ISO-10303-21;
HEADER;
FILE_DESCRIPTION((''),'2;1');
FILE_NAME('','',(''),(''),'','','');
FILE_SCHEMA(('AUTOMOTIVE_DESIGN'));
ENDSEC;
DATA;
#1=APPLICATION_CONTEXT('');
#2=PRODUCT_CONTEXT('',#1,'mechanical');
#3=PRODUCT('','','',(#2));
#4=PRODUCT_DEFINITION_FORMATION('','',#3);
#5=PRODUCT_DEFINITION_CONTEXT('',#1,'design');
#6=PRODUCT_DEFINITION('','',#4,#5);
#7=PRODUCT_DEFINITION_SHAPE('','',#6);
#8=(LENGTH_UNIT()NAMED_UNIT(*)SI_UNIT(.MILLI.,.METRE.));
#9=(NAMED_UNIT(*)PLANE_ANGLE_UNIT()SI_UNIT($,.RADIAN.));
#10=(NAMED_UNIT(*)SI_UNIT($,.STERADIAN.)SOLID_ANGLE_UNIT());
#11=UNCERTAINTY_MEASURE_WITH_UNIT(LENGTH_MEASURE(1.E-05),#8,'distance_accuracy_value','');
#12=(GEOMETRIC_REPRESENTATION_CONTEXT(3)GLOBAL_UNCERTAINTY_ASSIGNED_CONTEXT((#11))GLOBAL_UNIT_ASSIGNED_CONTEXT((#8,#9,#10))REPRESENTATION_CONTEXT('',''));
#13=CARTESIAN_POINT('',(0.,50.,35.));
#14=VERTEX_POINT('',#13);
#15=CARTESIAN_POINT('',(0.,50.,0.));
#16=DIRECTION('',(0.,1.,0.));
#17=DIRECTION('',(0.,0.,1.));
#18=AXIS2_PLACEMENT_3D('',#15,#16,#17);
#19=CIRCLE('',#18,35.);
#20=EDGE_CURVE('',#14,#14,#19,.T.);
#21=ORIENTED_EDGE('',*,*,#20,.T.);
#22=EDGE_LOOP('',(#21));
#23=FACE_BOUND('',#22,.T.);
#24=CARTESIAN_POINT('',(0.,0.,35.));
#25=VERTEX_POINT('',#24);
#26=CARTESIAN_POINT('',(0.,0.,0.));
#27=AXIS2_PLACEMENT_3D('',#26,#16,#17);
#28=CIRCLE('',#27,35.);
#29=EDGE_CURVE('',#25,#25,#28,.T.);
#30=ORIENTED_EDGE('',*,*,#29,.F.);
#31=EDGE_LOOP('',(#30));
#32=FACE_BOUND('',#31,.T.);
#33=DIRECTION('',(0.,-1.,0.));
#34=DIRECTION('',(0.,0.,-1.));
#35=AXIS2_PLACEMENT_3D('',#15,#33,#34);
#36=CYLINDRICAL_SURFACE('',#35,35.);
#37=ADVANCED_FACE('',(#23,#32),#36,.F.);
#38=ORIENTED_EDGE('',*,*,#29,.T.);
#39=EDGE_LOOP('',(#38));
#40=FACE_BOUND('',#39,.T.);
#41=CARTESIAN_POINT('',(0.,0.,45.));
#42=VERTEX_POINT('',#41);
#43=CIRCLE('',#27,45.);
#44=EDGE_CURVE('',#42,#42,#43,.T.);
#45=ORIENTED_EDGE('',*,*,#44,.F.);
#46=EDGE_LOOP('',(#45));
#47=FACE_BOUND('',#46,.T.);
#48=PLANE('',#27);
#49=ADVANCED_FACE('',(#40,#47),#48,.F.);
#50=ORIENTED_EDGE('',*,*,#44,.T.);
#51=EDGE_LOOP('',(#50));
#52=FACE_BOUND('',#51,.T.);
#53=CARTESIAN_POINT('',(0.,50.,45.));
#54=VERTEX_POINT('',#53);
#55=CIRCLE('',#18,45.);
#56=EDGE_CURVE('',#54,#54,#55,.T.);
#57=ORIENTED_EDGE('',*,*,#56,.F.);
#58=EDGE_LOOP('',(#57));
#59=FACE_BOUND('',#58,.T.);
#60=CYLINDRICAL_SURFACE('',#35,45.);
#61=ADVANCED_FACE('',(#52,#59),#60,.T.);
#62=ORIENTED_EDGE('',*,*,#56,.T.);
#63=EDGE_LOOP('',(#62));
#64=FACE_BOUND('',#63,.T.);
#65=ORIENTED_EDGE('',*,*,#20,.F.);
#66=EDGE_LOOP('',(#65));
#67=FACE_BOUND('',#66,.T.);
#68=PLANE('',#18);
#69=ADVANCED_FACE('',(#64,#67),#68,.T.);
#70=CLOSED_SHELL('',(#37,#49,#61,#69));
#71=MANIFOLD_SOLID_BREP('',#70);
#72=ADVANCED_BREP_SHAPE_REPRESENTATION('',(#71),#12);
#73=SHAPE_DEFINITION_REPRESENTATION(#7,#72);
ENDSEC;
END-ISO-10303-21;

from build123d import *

# Parameters (mm, degrees)
SKETCH_1_R      = 45
SKETCH_1_R_2    = 35
EXTRUDE_1_DEPTH = 50


with BuildPart() as part:
    # Эскиз1 → Бобышка-Вытянуть1 (new body)
    with BuildSketch(Plane(origin=(0, 0, 0), x_dir=(1, 0, 0), z_dir=(0, 1, 0))):
        Circle(SKETCH_1_R)
        Circle(SKETCH_1_R_2, mode=Mode.SUBTRACT)
    extrude(amount=EXTRUDE_1_DEPTH)


solid = part.part
